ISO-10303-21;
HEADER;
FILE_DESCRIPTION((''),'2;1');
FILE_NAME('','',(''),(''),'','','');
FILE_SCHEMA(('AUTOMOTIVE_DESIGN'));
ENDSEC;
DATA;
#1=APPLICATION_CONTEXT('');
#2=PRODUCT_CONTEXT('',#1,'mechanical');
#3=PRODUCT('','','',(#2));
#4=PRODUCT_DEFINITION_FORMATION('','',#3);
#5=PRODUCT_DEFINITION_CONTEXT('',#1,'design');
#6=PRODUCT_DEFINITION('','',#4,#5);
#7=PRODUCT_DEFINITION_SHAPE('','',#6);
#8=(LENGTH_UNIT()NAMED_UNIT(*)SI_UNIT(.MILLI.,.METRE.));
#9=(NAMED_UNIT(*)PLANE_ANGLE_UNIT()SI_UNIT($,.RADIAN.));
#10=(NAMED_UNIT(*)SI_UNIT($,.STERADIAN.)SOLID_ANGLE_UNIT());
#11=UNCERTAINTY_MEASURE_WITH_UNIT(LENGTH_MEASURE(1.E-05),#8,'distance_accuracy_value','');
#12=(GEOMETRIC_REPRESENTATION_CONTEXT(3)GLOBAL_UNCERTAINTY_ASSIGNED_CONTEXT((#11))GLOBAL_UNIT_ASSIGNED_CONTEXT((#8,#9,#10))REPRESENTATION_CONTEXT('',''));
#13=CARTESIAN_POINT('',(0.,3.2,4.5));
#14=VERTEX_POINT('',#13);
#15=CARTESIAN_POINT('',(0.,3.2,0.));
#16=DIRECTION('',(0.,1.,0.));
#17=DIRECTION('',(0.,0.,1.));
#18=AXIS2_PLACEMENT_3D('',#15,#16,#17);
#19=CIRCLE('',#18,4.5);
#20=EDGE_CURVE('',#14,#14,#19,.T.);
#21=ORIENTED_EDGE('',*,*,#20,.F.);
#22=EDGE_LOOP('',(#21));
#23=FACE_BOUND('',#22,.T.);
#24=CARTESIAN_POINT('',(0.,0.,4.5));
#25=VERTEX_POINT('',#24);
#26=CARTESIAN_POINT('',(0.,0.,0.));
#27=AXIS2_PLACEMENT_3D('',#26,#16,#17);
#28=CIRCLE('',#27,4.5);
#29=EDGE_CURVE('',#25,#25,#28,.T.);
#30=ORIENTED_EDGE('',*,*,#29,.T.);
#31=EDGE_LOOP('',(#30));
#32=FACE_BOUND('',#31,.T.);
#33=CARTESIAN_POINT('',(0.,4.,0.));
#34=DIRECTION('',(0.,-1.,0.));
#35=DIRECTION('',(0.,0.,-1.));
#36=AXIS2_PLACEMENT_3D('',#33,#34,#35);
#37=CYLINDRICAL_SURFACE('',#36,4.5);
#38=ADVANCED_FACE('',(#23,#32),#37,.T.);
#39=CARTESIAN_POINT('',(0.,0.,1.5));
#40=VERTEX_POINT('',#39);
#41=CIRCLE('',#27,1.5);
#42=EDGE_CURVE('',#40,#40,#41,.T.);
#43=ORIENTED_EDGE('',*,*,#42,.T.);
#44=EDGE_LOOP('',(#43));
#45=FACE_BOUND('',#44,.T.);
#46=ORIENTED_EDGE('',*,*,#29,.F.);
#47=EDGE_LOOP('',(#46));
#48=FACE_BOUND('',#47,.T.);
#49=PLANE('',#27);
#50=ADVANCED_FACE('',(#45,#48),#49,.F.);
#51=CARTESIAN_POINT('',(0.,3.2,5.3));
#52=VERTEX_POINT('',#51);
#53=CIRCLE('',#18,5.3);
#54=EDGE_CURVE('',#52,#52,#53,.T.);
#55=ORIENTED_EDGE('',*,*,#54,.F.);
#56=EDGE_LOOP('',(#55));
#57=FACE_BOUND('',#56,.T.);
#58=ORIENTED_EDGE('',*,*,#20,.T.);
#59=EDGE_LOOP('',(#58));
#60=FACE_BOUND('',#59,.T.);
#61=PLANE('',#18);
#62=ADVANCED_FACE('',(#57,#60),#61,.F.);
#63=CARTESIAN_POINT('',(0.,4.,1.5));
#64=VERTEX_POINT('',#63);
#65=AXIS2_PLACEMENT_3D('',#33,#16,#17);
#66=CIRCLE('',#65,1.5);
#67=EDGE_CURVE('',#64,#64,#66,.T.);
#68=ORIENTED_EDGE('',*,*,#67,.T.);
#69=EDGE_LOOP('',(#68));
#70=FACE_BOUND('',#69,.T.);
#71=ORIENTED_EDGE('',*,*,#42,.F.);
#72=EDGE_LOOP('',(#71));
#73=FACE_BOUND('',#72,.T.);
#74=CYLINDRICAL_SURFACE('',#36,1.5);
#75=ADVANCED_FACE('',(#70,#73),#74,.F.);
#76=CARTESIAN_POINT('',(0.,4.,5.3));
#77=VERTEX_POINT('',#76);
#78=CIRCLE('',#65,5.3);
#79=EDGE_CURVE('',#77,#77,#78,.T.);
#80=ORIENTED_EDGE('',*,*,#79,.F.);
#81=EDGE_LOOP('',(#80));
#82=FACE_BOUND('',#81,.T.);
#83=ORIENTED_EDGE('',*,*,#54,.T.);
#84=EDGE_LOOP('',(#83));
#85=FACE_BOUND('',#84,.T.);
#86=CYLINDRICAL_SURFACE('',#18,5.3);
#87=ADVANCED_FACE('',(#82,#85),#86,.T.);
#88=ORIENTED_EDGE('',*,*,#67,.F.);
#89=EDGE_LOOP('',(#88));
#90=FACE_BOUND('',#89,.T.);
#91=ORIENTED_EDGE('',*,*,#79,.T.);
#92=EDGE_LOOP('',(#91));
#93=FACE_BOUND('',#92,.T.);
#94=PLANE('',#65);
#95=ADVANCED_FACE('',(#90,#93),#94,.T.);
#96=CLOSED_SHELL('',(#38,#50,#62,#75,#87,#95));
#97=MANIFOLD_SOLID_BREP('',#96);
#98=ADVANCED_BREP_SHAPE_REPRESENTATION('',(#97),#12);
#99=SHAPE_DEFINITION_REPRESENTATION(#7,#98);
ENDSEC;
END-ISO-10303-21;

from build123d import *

# Parameters (mm, degrees)
SKETCH_1_R      = 4.5
SKETCH_1_R_2    = 1.5
EXTRUDE_1_DEPTH = 4
EXTRUDE_START   = -0.8
SKETCH_2_R      = 5.3
SKETCH_2_R_2    = 4.5
EXTRUDE_2_DEPTH = 0.8


with BuildPart() as part:
    # 草图1 → 凸台-拉伸1 (new body)
    with BuildSketch(Plane(origin=(0, 0, 0), x_dir=(1, 0, 0), z_dir=(0, 1, 0))):
        with Locations(Location((0, 0, 0), (0, 0, 270))):
            Circle(SKETCH_1_R)
        with Locations(Location((0, 0, 0), (0, 0, 270))):
            Circle(SKETCH_1_R_2, mode=Mode.SUBTRACT)
    extrude(amount=EXTRUDE_1_DEPTH)

    # 草图2 → 凸台-拉伸2 (add)
    with BuildSketch(Plane(origin=(0, 4, 0), x_dir=(1, 0, 0), z_dir=(0, 1, 0)).offset(EXTRUDE_START)):
        with Locations(Location((0, 0, 0), (0, 0, 270))):
            Circle(SKETCH_2_R)
        with Locations(Location((0, 0, 0), (0, 0, 270))):
            Circle(SKETCH_2_R_2, mode=Mode.SUBTRACT)
    extrude(amount=EXTRUDE_2_DEPTH)


solid = part.part
